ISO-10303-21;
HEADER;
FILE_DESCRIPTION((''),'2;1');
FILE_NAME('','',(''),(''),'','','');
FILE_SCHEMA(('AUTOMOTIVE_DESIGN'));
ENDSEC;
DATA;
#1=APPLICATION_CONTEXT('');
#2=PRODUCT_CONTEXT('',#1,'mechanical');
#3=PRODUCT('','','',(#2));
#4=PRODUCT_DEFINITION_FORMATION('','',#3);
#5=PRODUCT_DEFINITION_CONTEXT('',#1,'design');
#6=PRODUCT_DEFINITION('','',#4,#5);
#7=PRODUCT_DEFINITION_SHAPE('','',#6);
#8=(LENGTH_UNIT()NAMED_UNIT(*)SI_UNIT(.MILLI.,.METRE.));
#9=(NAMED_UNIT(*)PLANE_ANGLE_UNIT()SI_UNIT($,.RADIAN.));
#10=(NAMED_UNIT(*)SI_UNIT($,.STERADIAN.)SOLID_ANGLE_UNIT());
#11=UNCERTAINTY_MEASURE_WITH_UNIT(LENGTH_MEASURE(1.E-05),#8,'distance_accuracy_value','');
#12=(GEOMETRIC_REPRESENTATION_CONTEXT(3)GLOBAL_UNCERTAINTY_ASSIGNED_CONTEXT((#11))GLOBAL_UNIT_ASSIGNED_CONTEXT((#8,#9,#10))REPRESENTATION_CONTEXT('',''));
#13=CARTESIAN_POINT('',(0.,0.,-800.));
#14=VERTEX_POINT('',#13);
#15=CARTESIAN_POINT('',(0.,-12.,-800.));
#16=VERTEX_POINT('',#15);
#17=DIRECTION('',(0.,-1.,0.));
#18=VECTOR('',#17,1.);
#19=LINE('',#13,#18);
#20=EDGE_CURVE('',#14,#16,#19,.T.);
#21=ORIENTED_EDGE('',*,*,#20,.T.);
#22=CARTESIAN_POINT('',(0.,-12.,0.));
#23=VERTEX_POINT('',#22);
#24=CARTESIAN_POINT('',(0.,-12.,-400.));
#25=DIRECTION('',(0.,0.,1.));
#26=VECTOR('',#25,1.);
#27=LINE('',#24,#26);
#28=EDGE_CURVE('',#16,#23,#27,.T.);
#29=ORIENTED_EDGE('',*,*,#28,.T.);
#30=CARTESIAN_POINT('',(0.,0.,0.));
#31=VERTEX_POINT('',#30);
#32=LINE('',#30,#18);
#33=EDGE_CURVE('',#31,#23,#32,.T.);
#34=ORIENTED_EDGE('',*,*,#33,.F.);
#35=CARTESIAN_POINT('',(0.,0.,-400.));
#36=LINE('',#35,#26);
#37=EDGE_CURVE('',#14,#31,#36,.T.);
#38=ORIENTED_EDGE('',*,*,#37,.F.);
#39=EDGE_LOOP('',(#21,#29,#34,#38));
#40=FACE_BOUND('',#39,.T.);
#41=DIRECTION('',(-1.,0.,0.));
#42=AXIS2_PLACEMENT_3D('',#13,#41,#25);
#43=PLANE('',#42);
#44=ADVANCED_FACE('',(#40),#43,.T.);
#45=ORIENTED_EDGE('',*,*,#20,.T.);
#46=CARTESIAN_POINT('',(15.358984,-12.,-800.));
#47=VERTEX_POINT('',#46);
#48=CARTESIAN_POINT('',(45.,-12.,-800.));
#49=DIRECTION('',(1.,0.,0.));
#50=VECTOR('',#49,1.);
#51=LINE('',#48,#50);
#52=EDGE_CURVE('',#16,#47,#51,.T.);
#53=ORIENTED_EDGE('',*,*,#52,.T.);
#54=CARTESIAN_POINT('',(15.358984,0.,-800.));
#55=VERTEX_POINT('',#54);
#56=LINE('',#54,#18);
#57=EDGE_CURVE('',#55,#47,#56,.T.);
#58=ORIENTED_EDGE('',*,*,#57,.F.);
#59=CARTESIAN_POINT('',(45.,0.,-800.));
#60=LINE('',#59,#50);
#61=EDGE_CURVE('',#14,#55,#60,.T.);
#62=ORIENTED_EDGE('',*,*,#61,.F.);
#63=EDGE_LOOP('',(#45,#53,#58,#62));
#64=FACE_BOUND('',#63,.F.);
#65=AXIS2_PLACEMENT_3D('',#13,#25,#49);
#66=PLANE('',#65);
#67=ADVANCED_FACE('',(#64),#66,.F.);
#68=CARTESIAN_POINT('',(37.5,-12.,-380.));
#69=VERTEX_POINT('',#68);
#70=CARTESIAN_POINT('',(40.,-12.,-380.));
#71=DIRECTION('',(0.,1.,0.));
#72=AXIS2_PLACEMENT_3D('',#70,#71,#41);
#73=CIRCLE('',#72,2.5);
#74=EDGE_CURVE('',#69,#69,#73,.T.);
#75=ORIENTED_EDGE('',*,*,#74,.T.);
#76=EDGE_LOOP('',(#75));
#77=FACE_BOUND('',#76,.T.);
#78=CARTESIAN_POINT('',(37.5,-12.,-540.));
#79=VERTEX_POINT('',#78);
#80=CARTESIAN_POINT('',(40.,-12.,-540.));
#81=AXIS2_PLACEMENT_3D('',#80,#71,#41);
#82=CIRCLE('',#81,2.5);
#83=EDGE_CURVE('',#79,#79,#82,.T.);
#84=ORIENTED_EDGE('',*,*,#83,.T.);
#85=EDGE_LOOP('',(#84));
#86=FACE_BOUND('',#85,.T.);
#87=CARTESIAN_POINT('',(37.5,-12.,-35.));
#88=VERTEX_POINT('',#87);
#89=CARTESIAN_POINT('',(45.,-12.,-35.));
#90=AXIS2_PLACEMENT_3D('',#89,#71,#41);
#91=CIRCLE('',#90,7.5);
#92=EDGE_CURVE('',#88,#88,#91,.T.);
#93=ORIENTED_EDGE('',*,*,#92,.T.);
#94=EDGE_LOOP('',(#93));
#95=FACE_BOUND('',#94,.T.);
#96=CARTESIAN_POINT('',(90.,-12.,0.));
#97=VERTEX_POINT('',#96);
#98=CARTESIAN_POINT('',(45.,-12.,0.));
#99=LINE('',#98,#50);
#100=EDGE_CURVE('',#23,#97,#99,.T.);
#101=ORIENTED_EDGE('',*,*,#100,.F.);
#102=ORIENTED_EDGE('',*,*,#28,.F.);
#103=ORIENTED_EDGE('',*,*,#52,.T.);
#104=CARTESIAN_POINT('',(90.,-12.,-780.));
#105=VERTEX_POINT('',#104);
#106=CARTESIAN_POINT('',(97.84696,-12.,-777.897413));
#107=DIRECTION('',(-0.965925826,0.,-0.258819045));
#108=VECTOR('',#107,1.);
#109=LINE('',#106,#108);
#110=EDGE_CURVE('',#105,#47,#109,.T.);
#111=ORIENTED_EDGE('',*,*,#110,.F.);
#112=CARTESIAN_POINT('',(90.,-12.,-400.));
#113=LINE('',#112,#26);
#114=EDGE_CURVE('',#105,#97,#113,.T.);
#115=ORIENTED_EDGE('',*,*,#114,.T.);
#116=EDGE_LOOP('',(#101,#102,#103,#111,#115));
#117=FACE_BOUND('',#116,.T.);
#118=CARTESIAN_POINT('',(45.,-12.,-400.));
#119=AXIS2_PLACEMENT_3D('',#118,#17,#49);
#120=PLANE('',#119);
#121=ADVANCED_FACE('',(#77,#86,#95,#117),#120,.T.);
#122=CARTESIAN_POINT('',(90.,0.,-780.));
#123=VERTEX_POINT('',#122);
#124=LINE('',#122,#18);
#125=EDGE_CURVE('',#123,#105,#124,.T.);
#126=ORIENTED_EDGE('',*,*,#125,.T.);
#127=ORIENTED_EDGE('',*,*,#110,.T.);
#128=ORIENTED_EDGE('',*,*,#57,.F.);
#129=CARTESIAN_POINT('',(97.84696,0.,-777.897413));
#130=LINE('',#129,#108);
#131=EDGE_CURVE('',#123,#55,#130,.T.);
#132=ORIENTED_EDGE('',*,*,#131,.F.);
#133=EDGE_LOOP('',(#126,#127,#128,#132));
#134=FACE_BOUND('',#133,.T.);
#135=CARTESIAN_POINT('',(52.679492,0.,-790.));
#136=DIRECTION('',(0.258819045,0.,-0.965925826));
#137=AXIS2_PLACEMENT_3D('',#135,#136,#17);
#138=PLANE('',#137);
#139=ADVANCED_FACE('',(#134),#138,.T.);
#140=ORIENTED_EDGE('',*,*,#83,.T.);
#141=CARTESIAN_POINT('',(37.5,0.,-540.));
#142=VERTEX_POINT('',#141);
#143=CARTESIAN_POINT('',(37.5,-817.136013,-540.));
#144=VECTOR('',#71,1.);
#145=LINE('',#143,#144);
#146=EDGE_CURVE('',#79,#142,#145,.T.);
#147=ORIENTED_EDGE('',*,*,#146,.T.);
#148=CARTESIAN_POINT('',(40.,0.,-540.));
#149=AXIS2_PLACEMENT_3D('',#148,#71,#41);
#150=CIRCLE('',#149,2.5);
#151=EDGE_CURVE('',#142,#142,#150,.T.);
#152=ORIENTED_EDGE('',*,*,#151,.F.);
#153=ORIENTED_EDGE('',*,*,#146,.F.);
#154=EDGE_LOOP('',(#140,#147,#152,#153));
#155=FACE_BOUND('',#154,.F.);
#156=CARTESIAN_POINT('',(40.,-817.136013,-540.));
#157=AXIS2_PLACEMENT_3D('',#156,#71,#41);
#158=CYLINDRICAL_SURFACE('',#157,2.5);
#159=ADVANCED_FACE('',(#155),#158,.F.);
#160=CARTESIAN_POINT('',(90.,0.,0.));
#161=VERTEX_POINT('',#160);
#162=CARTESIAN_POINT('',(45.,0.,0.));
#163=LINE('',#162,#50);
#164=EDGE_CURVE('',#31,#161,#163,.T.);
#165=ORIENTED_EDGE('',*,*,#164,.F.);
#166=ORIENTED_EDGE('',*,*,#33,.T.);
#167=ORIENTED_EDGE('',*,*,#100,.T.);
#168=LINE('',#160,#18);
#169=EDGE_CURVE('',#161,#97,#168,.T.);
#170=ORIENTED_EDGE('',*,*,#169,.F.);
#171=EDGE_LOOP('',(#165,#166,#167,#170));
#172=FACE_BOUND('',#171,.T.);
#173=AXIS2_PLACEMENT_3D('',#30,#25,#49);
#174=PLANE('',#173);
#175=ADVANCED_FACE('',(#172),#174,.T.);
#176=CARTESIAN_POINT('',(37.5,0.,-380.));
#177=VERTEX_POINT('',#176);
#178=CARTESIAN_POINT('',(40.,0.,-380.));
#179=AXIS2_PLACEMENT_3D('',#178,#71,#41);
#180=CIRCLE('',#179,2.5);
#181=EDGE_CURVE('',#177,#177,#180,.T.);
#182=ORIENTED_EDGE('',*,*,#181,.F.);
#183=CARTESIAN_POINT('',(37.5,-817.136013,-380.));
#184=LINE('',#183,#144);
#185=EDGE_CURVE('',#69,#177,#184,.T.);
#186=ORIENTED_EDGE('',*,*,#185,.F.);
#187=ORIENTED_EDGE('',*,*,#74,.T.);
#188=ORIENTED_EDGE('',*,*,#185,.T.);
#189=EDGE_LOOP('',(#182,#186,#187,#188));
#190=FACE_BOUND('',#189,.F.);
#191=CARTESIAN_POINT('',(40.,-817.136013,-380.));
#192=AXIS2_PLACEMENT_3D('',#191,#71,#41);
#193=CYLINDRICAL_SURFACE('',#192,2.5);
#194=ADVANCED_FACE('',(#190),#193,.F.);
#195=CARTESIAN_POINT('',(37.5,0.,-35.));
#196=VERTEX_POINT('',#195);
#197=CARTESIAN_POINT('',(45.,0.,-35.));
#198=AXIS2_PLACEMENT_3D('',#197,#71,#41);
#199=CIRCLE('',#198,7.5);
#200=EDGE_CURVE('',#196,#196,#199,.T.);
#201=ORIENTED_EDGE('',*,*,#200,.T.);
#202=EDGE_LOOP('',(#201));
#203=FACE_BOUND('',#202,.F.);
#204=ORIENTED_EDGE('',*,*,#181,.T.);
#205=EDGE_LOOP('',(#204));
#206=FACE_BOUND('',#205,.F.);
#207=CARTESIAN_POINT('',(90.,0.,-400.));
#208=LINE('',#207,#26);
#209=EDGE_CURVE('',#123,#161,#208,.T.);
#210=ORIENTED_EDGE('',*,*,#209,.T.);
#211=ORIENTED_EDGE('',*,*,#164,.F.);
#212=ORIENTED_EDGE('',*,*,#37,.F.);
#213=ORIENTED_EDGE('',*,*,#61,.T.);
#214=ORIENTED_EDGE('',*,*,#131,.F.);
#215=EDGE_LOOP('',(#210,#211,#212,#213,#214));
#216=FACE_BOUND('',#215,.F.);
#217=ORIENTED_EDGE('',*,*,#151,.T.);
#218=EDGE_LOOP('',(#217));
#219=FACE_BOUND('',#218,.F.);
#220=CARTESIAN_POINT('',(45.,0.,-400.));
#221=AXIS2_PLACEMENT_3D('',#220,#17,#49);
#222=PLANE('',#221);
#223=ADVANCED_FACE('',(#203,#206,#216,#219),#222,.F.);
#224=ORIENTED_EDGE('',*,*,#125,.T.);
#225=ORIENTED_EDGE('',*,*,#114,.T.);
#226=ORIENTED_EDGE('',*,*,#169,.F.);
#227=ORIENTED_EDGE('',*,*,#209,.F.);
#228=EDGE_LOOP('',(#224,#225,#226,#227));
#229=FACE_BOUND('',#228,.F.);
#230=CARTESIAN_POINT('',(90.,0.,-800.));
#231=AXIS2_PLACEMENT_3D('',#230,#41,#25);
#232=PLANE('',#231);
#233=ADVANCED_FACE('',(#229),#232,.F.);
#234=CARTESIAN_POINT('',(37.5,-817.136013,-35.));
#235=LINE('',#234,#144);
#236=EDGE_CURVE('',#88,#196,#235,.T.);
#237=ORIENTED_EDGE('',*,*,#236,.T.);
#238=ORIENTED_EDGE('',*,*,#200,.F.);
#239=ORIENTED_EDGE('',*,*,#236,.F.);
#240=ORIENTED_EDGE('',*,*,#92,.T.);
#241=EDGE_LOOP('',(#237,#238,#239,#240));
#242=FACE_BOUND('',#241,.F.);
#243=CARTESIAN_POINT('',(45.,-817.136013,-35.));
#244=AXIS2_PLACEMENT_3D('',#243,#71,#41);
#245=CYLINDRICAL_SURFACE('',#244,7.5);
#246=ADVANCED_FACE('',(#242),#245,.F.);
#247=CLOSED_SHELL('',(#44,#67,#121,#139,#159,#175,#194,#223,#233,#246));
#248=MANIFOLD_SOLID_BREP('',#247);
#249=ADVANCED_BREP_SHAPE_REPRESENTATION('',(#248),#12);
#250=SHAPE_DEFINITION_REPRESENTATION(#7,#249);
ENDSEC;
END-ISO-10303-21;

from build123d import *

# Parameters (mm, degrees)
F0_W     = 90
F0_H     = 800
F1_DEPTH = 12
F3_D     = 15
F4_SIZE2 = 74.6410161514
F4_SIZE  = 20
F6_D     = 5


with BuildPart() as f1:
    # F0 (on Front) → F1 (new body)
    with BuildSketch(Plane.XZ):
        with Locations((45, -400)):
            Rectangle(F0_W, F0_H)
    extrude(amount=F1_DEPTH)

    # F3 (through all)
    with Locations(Plane.XZ.offset(12)):
        with Locations((45, -35)):
            Hole(F3_D / 2)

    # F4
    f4_edges = [f1.edges().sort_by_distance(p)[0] for p in [
        (90, -6, -800),
    ]]
    f4_side = f1.faces().sort_by_distance((90, -6, -400))[0]
    chamfer(f4_edges, length=F4_SIZE, length2=F4_SIZE2, reference=f4_side)

    # F6 (through all)
    with Locations(Plane.XZ.offset(12)):
        with Locations((40, -380), (40, -540)):
            Hole(F6_D / 2)


solid = f1.part
